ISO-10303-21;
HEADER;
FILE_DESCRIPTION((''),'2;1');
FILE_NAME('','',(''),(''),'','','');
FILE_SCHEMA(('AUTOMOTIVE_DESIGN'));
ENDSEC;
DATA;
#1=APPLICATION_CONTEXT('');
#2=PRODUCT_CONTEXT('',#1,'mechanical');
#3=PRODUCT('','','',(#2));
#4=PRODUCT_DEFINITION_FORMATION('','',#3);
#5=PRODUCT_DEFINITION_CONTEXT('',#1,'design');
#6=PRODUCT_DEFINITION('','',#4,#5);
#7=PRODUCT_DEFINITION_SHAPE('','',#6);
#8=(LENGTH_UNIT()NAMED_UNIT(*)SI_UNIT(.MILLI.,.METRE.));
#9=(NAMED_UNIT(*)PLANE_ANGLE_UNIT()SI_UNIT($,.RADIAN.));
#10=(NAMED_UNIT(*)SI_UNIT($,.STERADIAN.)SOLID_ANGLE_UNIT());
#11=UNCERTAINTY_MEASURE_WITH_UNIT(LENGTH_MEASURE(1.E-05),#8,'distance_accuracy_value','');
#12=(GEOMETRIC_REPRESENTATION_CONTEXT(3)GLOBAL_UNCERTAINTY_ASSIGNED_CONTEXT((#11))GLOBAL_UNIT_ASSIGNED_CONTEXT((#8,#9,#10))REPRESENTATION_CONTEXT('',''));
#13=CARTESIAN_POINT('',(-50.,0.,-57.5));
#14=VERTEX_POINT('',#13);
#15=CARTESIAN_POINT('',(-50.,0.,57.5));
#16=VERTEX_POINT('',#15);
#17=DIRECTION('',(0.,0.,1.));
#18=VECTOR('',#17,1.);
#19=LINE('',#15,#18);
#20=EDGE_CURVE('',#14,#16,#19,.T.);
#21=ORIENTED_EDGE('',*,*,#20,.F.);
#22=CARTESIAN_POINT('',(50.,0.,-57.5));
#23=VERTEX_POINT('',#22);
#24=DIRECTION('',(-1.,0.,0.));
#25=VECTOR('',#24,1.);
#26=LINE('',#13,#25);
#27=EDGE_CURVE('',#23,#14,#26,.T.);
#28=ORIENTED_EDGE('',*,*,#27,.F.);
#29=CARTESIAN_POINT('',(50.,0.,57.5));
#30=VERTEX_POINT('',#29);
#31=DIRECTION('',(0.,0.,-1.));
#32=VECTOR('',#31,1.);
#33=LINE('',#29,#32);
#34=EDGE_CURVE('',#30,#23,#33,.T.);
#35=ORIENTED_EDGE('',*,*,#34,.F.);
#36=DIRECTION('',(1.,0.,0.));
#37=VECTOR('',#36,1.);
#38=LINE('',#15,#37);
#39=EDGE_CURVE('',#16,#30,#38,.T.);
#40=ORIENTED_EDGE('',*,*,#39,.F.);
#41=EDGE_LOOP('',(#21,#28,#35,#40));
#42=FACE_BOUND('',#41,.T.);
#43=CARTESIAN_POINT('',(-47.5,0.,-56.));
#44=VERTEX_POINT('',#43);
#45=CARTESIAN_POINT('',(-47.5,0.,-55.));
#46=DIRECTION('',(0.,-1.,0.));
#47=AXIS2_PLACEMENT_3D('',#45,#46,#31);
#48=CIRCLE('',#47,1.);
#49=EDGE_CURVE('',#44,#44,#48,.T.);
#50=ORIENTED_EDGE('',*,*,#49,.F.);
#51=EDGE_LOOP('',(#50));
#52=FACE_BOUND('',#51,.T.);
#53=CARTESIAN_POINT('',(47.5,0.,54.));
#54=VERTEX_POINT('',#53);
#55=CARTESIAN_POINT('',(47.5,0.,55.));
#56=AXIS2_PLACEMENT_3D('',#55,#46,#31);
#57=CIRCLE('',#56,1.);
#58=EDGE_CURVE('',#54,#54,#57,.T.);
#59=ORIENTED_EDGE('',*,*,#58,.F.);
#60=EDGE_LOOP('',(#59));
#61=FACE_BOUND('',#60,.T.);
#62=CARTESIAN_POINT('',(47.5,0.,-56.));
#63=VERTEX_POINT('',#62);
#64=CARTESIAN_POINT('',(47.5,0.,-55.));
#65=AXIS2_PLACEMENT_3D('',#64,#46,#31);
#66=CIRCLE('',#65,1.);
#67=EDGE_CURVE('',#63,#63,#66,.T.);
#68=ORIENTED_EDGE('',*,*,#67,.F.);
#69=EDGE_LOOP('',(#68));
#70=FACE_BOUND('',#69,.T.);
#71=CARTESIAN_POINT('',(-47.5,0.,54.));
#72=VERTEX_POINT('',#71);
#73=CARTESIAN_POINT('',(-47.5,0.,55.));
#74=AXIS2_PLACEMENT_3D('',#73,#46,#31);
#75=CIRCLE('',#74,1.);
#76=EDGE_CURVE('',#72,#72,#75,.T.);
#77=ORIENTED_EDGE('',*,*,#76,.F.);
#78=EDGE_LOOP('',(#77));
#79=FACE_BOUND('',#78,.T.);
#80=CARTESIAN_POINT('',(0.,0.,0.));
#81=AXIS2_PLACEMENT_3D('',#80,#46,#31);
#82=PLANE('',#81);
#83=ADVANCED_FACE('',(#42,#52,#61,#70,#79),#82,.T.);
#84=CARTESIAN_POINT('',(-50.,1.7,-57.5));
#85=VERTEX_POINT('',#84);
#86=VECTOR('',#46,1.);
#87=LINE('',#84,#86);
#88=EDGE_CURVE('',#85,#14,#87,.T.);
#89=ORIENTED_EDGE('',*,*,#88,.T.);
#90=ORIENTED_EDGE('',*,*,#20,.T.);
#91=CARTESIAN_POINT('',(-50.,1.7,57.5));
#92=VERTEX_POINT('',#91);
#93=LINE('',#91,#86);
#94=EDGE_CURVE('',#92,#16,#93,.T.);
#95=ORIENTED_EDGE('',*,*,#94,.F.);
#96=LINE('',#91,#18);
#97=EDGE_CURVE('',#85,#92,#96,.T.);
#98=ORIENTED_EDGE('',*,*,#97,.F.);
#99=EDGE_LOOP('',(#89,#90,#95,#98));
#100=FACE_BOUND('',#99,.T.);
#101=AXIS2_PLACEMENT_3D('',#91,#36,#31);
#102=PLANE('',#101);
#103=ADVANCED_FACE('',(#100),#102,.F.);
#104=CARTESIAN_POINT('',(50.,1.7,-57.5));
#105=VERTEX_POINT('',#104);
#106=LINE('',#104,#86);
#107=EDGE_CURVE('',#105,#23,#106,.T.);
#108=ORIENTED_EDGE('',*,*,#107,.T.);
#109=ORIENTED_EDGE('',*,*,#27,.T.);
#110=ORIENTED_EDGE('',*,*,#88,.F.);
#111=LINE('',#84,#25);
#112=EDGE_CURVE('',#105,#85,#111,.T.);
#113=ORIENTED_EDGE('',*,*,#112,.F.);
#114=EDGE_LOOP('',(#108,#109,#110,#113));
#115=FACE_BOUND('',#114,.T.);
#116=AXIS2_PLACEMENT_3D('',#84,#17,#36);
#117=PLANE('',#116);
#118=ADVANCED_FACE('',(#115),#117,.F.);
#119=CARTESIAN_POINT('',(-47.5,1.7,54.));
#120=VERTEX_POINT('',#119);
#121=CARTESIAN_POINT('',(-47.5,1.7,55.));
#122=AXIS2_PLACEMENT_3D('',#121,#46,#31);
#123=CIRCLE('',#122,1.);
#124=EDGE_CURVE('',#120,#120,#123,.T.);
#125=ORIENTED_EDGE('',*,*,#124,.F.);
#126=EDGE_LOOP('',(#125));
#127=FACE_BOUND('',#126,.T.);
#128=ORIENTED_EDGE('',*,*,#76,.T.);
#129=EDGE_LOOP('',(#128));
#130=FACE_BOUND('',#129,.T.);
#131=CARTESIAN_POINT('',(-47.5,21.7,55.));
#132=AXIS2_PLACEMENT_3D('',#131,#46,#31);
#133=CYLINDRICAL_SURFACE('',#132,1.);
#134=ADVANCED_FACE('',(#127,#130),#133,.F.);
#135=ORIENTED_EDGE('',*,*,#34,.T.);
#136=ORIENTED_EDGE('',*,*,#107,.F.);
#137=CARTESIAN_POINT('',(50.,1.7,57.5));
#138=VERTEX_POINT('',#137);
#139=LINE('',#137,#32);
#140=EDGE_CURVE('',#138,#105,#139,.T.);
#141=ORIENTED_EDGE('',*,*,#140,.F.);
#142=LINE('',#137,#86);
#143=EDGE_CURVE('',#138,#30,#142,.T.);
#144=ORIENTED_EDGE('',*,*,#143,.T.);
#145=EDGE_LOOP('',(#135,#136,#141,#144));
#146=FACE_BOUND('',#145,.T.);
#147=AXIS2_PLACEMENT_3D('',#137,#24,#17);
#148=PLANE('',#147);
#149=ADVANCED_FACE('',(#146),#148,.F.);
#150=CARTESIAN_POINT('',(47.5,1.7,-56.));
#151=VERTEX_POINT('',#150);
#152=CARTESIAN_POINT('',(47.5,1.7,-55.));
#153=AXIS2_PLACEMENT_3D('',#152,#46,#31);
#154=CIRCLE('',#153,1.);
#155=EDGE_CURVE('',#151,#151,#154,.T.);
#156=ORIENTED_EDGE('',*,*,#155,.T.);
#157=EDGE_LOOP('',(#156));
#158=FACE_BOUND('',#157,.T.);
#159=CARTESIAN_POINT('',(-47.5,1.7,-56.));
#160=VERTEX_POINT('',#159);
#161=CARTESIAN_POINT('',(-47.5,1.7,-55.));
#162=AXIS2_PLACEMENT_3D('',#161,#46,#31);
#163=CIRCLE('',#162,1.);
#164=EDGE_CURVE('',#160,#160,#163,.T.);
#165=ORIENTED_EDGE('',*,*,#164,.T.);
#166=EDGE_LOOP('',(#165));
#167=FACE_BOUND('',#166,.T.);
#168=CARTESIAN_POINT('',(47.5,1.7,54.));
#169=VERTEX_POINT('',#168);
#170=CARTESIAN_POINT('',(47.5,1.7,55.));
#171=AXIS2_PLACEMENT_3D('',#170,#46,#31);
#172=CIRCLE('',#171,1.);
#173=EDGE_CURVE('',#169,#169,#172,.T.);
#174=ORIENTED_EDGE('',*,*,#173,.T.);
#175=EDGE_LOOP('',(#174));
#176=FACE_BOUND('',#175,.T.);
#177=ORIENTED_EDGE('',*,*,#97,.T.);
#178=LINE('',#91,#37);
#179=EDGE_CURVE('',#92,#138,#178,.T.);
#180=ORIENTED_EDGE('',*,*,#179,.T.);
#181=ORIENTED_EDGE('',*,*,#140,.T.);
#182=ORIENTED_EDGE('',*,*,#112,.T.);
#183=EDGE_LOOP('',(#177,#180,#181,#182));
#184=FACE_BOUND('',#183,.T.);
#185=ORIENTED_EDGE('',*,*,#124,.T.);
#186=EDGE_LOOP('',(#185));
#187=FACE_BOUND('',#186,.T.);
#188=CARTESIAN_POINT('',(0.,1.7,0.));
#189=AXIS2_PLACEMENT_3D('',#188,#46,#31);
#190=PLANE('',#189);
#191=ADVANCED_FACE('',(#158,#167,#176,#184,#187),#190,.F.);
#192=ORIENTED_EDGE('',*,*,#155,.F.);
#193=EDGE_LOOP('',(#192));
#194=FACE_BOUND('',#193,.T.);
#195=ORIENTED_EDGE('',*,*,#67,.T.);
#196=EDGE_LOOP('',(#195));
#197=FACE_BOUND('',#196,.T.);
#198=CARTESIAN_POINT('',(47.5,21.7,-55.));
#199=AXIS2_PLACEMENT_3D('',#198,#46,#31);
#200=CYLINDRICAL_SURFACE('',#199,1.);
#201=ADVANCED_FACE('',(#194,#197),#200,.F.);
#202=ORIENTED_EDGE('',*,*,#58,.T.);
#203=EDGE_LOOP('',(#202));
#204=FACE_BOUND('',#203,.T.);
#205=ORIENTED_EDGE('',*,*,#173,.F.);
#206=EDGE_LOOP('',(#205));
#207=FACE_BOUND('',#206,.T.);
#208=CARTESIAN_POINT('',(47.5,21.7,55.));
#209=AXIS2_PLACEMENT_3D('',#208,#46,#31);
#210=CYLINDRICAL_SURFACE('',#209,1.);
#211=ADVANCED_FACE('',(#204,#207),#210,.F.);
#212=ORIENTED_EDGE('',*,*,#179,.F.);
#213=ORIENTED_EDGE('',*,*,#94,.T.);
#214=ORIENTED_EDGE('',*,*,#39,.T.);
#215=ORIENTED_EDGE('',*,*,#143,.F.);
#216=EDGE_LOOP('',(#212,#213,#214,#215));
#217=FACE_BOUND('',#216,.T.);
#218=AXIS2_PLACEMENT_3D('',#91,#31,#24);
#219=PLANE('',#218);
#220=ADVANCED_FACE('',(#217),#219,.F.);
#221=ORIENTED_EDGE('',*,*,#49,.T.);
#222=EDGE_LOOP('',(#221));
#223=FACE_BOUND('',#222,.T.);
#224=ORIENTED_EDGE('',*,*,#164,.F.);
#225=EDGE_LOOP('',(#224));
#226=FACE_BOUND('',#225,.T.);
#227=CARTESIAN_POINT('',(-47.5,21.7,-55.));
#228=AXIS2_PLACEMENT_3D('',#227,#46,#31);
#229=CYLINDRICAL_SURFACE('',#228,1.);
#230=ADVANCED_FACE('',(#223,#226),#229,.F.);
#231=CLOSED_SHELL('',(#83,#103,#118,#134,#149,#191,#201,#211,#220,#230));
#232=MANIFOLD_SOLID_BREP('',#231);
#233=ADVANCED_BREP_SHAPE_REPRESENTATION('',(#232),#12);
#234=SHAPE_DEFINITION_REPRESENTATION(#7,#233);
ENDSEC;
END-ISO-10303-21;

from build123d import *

# Parameters (mm, degrees)
SKETCH1_W           = 100
SKETCH1_H           = 115
BOSS_EXTRUDE1_DEPTH = 1.7
SKETCH2_R           = 1
CUT_EXTRUDE1_DEPTH  = 21.7


with BuildPart() as part:
    # Sketch1 → Boss-Extrude1 (new body)
    with BuildSketch(Plane(origin=(0, 0, 0), x_dir=(1, 0, 0), z_dir=(0, 1, 0))):
        Rectangle(SKETCH1_W, SKETCH1_H)
    extrude(amount=BOSS_EXTRUDE1_DEPTH)

    # Sketch2 → Cut-Extrude1 (cut)
    with BuildSketch(Plane.XZ):
        with Locations((47.5, 55)):
            Circle(SKETCH2_R)
        with Locations((-47.5, 55)):
            Circle(SKETCH2_R)
        with Locations((-47.5, -55)):
            Circle(SKETCH2_R)
        with Locations((47.5, -55)):
            Circle(SKETCH2_R)
    extrude(amount=-CUT_EXTRUDE1_DEPTH, mode=Mode.SUBTRACT)


solid = part.part
